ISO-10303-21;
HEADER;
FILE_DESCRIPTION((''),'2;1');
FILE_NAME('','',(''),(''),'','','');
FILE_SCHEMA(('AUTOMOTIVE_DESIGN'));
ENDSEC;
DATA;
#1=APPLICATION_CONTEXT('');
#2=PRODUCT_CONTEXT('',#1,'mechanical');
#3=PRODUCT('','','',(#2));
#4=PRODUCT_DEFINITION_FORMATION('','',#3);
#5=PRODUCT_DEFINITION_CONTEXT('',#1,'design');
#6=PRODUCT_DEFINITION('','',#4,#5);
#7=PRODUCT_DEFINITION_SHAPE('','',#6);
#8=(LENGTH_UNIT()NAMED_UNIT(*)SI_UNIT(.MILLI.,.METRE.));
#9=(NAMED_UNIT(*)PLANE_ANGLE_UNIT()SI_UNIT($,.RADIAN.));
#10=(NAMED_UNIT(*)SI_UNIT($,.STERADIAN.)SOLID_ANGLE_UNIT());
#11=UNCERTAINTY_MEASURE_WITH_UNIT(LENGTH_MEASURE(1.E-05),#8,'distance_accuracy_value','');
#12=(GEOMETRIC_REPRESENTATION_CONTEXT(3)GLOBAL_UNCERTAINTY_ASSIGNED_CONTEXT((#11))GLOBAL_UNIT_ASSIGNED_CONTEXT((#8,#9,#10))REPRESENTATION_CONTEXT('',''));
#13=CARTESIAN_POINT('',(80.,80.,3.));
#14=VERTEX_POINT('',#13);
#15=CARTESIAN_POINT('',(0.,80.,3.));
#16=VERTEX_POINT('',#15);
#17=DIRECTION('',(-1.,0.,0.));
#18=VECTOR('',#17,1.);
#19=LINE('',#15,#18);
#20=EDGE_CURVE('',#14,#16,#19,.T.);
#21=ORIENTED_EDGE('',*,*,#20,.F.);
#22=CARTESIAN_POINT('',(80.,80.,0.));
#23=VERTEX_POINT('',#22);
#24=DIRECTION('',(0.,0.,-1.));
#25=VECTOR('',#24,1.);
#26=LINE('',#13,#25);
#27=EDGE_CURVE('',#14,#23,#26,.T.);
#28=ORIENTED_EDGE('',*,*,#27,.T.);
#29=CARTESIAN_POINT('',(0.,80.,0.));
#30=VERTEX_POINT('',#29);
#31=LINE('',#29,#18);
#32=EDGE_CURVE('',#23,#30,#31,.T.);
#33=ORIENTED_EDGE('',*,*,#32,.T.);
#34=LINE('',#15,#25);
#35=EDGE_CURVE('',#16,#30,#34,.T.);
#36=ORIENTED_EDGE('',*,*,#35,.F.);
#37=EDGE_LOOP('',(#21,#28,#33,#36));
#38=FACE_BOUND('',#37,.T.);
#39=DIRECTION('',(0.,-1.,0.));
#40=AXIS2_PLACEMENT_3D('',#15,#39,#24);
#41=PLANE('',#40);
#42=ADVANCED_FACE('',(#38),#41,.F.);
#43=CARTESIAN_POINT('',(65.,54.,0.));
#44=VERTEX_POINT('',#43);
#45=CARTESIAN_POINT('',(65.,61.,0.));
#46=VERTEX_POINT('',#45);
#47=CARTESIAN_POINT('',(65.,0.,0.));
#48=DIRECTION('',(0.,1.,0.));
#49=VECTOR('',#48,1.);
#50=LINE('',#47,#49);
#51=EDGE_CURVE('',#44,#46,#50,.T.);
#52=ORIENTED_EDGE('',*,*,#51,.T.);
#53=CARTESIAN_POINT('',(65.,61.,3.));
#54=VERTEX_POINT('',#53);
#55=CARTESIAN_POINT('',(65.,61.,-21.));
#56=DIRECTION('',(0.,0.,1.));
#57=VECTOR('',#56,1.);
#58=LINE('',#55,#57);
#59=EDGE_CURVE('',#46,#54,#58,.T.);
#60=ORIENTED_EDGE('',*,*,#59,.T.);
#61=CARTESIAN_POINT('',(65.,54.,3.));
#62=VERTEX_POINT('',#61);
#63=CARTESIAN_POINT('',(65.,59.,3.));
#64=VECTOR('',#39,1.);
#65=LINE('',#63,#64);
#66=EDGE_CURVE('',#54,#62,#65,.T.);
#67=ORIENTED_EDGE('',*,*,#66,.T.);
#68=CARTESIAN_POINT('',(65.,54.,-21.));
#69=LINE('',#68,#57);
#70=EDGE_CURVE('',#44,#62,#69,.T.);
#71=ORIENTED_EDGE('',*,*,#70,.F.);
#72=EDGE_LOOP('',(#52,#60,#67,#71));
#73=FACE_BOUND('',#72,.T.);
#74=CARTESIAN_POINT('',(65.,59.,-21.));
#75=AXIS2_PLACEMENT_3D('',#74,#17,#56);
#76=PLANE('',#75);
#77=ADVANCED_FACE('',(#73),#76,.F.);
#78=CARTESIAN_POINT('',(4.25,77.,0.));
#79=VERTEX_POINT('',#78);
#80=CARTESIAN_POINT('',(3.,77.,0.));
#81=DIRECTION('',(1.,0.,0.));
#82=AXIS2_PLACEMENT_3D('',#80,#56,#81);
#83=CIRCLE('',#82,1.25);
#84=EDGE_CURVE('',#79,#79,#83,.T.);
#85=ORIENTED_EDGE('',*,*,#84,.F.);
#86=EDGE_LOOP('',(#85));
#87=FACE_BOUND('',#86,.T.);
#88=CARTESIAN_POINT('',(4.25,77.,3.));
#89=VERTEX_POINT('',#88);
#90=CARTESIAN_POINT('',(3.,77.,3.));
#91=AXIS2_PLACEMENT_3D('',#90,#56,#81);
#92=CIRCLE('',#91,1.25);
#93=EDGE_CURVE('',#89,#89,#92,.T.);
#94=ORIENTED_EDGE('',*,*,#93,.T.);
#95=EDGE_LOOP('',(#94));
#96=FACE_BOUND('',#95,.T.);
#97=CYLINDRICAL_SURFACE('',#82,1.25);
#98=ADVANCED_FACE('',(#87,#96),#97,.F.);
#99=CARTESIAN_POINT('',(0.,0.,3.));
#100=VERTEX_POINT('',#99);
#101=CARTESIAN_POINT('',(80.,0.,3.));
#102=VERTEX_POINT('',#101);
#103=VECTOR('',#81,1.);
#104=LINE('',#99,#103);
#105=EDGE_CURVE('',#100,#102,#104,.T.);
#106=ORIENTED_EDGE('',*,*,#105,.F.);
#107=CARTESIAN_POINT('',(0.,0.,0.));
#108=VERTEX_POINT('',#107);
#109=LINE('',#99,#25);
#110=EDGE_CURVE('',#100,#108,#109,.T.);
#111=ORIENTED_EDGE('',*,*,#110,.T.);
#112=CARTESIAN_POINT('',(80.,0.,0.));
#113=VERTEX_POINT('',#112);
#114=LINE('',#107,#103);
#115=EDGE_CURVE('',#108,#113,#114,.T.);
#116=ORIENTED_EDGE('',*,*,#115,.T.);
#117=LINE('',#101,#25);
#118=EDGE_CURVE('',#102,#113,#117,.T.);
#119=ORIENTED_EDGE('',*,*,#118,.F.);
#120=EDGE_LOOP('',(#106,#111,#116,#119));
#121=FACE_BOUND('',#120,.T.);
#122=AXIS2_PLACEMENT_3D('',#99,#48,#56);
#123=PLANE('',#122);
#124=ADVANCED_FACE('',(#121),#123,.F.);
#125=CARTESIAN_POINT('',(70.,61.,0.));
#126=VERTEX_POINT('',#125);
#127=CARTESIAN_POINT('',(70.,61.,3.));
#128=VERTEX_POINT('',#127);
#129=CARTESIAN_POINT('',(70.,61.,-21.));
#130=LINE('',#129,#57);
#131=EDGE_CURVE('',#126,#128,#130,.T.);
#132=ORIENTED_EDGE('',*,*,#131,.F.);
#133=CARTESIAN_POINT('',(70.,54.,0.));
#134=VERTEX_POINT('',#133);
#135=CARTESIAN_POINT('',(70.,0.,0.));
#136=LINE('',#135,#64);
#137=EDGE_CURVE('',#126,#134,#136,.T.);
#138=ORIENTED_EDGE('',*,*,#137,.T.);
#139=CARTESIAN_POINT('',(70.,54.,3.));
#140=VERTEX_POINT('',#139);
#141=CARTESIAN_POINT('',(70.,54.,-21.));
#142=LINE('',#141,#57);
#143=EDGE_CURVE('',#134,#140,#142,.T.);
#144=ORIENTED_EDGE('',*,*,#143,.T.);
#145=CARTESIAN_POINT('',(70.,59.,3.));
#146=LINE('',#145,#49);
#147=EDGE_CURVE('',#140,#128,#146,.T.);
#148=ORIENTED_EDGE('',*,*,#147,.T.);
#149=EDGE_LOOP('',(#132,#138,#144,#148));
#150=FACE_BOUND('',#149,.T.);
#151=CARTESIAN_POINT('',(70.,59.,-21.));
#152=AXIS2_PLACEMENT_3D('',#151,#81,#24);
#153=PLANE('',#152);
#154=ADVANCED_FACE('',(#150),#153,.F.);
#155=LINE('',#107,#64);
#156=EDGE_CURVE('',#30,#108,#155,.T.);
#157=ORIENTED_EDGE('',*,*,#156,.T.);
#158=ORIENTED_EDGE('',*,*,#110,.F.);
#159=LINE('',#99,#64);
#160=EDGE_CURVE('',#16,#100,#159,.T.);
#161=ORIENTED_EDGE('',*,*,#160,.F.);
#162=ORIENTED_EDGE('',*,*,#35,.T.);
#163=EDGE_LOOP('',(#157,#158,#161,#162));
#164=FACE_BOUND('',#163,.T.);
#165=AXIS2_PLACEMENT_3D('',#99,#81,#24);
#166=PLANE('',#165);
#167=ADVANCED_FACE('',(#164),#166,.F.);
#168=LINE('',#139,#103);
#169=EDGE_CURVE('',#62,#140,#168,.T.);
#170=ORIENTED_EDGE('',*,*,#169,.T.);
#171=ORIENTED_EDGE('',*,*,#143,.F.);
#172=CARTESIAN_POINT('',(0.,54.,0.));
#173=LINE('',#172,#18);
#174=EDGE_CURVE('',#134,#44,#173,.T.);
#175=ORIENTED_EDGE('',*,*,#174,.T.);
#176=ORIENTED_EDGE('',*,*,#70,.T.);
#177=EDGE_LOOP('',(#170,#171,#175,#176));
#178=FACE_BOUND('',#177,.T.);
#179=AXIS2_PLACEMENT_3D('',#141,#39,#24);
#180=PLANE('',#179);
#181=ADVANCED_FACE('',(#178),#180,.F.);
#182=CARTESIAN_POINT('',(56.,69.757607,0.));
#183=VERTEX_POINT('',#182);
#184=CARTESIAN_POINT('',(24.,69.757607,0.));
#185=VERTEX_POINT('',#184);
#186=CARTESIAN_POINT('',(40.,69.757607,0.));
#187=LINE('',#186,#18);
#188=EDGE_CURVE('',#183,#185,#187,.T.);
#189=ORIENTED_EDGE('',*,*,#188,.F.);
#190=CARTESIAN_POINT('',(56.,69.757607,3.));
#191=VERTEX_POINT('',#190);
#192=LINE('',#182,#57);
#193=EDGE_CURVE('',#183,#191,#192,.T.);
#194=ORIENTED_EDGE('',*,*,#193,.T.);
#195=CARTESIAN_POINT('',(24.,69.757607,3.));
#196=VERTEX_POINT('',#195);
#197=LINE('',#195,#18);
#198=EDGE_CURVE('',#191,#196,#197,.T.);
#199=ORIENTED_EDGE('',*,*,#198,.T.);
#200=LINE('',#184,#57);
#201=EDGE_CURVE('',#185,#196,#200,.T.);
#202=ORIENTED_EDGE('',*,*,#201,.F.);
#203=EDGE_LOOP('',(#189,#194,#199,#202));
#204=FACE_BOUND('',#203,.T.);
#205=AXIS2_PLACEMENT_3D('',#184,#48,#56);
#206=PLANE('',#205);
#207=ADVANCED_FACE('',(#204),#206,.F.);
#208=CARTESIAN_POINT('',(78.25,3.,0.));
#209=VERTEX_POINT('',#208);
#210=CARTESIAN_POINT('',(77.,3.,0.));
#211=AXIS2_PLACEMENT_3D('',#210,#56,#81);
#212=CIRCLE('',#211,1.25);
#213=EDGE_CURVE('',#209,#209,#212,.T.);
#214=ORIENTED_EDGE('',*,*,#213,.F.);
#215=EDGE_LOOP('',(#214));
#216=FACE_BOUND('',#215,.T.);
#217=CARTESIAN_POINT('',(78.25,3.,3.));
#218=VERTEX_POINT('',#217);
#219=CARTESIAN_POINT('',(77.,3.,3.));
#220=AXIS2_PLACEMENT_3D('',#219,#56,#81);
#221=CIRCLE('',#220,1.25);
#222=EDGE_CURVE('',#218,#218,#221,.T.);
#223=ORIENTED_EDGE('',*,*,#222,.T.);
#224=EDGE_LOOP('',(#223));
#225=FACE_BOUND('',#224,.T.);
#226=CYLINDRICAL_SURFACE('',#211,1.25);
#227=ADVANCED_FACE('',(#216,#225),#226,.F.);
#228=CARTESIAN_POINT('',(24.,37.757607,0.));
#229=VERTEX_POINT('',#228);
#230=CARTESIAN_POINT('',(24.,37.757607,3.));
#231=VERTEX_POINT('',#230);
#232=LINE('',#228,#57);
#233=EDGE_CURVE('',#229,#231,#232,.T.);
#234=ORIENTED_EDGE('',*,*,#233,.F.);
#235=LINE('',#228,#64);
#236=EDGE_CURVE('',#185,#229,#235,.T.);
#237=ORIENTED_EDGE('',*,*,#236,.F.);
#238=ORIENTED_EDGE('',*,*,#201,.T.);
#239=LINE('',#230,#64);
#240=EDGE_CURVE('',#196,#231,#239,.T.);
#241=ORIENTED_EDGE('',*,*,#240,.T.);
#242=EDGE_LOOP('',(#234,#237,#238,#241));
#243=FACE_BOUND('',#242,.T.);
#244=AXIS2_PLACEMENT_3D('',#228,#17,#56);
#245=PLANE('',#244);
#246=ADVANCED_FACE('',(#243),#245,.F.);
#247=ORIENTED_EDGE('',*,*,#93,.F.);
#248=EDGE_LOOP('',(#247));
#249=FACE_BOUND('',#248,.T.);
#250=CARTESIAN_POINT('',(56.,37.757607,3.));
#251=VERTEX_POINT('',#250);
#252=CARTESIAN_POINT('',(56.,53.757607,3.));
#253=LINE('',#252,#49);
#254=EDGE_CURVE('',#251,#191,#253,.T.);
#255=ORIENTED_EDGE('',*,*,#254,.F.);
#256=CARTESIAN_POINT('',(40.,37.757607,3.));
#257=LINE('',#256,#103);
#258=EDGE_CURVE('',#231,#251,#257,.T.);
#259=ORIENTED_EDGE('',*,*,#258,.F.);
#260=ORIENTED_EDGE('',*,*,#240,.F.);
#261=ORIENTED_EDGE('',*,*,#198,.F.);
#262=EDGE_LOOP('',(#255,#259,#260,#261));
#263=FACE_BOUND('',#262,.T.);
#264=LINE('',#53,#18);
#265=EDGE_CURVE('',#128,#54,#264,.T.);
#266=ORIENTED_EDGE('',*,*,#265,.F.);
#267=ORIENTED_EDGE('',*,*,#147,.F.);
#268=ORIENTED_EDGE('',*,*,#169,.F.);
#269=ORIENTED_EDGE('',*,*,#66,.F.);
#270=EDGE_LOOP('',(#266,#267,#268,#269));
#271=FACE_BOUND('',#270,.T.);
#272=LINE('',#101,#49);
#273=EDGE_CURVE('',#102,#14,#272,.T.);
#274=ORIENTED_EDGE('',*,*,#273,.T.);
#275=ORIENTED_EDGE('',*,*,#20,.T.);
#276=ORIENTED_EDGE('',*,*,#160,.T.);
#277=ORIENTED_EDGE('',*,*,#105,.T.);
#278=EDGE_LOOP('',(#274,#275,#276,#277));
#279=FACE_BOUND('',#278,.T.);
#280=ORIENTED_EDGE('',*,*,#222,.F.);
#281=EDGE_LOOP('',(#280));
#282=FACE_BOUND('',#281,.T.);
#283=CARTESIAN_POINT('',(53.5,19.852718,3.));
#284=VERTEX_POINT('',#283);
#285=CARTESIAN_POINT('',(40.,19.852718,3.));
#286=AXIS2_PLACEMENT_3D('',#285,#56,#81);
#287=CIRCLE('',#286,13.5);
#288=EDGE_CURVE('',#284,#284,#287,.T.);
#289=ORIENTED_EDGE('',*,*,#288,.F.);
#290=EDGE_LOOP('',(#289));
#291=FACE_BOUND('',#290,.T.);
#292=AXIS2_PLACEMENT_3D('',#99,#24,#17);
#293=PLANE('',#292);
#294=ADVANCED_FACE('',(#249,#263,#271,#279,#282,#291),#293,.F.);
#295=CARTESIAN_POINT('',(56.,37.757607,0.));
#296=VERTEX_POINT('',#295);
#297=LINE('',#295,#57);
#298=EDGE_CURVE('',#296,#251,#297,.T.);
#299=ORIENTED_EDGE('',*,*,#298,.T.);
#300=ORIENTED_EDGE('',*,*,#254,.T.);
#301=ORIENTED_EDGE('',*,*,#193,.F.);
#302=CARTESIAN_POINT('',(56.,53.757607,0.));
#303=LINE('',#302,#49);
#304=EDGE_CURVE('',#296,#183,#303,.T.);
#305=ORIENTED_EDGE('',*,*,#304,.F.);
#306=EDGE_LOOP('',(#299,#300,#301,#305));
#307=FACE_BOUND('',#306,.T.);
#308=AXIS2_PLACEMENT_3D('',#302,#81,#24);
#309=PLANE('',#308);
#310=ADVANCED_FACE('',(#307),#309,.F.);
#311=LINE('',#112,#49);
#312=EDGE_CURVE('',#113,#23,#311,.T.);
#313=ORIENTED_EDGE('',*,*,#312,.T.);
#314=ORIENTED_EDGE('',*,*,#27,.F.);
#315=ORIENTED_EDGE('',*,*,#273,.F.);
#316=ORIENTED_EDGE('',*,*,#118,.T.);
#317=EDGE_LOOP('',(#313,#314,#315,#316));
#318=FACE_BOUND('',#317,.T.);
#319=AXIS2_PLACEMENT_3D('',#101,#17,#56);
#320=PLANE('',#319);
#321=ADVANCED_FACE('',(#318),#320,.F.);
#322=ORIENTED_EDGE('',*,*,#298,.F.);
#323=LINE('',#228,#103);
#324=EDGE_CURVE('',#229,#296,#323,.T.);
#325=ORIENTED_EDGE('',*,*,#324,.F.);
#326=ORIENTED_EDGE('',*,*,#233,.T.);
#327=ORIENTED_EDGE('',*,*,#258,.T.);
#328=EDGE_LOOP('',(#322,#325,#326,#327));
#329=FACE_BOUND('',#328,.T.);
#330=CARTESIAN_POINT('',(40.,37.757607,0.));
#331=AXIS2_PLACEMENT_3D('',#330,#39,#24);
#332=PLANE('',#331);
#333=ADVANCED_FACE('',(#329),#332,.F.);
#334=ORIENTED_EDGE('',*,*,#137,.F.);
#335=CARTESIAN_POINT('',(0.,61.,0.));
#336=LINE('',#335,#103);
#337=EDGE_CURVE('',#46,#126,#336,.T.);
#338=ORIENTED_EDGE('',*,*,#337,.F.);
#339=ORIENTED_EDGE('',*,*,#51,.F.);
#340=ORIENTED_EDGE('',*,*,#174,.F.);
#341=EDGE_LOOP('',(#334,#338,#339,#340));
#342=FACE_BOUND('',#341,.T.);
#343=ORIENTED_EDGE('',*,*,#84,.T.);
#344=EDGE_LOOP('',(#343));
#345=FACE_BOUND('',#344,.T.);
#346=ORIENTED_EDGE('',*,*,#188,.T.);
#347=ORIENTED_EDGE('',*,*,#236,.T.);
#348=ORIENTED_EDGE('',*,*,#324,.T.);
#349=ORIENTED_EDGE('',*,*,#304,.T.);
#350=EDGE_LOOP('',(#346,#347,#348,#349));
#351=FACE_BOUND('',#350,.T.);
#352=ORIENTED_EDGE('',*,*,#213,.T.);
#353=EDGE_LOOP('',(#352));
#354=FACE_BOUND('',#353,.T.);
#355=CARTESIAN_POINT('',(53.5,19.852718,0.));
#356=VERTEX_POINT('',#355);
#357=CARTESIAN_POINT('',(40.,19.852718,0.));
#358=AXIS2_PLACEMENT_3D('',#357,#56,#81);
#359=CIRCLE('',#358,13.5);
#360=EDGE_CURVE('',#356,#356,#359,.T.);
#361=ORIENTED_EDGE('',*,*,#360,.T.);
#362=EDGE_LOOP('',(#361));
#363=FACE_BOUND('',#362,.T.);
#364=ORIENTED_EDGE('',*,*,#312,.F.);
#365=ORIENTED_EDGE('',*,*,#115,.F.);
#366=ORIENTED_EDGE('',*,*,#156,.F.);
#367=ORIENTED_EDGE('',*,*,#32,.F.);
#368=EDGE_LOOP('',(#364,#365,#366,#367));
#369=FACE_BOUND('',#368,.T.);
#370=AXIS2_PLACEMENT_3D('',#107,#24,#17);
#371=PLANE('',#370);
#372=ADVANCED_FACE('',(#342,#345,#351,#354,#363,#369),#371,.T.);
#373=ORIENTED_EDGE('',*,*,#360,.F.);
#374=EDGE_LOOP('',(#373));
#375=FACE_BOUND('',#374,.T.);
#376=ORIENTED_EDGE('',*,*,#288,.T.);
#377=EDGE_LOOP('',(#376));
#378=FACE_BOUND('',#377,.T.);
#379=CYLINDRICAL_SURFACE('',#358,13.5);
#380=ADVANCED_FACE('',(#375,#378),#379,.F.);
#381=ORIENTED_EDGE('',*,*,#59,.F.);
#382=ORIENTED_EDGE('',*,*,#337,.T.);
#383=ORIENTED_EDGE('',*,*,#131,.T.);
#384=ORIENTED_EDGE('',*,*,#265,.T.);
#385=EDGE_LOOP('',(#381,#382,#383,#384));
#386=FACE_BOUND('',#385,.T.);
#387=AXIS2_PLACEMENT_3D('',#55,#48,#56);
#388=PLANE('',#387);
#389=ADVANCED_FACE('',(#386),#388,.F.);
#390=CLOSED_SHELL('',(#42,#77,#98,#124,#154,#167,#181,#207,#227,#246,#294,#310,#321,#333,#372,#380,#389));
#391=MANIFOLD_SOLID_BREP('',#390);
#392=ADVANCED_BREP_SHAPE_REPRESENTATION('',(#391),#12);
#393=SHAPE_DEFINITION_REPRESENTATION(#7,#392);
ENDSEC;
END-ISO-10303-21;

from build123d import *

# Parameters (mm, degrees)
SKETCH1_W           = 80
SKETCH1_H           = 80
BOSS_EXTRUDE1_DEPTH = 3
SKETCH2_R           = 1.25
CUT_EXTRUDE1_DEPTH  = 3
SKETCH3_R           = 1.25
CUT_EXTRUDE2_DEPTH  = 3
CUT_EXTRUDE3_DEPTH  = 3
SKETCH5_R           = 13.5
CUT_EXTRUDE4_DEPTH  = 3
CUT_EXTRUDE5_DEPTH  = 24


with BuildPart() as part:
    # Sketch1 → Boss-Extrude1 (new body)
    with BuildSketch(Plane.XY):
        with Locations((40, 40)):
            Rectangle(SKETCH1_W, SKETCH1_H)
    extrude(amount=BOSS_EXTRUDE1_DEPTH)

    # Sketch2 → Cut-Extrude1 (cut)
    with BuildSketch(Plane.XY.offset(3)):
        with Locations((3, 77)):
            Circle(SKETCH2_R)
    extrude(amount=-CUT_EXTRUDE1_DEPTH, mode=Mode.SUBTRACT)

    # Sketch3 → Cut-Extrude2 (cut)
    with BuildSketch(Plane.XY.offset(3)):
        with Locations((77, 3)):
            Circle(SKETCH3_R)
    extrude(amount=-CUT_EXTRUDE2_DEPTH, mode=Mode.SUBTRACT)

    # Sketch4 → Cut-Extrude3 (cut)
    with BuildSketch(Plane(origin=(0, 3.75760721, 3), x_dir=(1, 0, 0), z_dir=(0, 0, 1))):
        Polygon((40, 34), (56, 34), (56, 50), (56, 66), (40, 66), (24, 66), (24, 34), align=None)
    extrude(amount=-CUT_EXTRUDE3_DEPTH, mode=Mode.SUBTRACT)

    # Sketch5 → Cut-Extrude4 (cut)
    with BuildSketch(Plane(origin=(0, 0.849012918, 3), x_dir=(1, 0, 0), z_dir=(0, 0, 1))):
        with Locations((40, 19.003705046)):
            Circle(SKETCH5_R)
    extrude(amount=-CUT_EXTRUDE4_DEPTH, mode=Mode.SUBTRACT)

    # Sketch6 → Cut-Extrude5 (cut)
    with BuildSketch(Plane.XY.offset(3)):
        Polygon((70, 59), (70, 54), (65, 54), (65, 59), (65, 61), (70, 61), align=None)
    extrude(amount=-CUT_EXTRUDE5_DEPTH, mode=Mode.SUBTRACT)


solid = part.part
